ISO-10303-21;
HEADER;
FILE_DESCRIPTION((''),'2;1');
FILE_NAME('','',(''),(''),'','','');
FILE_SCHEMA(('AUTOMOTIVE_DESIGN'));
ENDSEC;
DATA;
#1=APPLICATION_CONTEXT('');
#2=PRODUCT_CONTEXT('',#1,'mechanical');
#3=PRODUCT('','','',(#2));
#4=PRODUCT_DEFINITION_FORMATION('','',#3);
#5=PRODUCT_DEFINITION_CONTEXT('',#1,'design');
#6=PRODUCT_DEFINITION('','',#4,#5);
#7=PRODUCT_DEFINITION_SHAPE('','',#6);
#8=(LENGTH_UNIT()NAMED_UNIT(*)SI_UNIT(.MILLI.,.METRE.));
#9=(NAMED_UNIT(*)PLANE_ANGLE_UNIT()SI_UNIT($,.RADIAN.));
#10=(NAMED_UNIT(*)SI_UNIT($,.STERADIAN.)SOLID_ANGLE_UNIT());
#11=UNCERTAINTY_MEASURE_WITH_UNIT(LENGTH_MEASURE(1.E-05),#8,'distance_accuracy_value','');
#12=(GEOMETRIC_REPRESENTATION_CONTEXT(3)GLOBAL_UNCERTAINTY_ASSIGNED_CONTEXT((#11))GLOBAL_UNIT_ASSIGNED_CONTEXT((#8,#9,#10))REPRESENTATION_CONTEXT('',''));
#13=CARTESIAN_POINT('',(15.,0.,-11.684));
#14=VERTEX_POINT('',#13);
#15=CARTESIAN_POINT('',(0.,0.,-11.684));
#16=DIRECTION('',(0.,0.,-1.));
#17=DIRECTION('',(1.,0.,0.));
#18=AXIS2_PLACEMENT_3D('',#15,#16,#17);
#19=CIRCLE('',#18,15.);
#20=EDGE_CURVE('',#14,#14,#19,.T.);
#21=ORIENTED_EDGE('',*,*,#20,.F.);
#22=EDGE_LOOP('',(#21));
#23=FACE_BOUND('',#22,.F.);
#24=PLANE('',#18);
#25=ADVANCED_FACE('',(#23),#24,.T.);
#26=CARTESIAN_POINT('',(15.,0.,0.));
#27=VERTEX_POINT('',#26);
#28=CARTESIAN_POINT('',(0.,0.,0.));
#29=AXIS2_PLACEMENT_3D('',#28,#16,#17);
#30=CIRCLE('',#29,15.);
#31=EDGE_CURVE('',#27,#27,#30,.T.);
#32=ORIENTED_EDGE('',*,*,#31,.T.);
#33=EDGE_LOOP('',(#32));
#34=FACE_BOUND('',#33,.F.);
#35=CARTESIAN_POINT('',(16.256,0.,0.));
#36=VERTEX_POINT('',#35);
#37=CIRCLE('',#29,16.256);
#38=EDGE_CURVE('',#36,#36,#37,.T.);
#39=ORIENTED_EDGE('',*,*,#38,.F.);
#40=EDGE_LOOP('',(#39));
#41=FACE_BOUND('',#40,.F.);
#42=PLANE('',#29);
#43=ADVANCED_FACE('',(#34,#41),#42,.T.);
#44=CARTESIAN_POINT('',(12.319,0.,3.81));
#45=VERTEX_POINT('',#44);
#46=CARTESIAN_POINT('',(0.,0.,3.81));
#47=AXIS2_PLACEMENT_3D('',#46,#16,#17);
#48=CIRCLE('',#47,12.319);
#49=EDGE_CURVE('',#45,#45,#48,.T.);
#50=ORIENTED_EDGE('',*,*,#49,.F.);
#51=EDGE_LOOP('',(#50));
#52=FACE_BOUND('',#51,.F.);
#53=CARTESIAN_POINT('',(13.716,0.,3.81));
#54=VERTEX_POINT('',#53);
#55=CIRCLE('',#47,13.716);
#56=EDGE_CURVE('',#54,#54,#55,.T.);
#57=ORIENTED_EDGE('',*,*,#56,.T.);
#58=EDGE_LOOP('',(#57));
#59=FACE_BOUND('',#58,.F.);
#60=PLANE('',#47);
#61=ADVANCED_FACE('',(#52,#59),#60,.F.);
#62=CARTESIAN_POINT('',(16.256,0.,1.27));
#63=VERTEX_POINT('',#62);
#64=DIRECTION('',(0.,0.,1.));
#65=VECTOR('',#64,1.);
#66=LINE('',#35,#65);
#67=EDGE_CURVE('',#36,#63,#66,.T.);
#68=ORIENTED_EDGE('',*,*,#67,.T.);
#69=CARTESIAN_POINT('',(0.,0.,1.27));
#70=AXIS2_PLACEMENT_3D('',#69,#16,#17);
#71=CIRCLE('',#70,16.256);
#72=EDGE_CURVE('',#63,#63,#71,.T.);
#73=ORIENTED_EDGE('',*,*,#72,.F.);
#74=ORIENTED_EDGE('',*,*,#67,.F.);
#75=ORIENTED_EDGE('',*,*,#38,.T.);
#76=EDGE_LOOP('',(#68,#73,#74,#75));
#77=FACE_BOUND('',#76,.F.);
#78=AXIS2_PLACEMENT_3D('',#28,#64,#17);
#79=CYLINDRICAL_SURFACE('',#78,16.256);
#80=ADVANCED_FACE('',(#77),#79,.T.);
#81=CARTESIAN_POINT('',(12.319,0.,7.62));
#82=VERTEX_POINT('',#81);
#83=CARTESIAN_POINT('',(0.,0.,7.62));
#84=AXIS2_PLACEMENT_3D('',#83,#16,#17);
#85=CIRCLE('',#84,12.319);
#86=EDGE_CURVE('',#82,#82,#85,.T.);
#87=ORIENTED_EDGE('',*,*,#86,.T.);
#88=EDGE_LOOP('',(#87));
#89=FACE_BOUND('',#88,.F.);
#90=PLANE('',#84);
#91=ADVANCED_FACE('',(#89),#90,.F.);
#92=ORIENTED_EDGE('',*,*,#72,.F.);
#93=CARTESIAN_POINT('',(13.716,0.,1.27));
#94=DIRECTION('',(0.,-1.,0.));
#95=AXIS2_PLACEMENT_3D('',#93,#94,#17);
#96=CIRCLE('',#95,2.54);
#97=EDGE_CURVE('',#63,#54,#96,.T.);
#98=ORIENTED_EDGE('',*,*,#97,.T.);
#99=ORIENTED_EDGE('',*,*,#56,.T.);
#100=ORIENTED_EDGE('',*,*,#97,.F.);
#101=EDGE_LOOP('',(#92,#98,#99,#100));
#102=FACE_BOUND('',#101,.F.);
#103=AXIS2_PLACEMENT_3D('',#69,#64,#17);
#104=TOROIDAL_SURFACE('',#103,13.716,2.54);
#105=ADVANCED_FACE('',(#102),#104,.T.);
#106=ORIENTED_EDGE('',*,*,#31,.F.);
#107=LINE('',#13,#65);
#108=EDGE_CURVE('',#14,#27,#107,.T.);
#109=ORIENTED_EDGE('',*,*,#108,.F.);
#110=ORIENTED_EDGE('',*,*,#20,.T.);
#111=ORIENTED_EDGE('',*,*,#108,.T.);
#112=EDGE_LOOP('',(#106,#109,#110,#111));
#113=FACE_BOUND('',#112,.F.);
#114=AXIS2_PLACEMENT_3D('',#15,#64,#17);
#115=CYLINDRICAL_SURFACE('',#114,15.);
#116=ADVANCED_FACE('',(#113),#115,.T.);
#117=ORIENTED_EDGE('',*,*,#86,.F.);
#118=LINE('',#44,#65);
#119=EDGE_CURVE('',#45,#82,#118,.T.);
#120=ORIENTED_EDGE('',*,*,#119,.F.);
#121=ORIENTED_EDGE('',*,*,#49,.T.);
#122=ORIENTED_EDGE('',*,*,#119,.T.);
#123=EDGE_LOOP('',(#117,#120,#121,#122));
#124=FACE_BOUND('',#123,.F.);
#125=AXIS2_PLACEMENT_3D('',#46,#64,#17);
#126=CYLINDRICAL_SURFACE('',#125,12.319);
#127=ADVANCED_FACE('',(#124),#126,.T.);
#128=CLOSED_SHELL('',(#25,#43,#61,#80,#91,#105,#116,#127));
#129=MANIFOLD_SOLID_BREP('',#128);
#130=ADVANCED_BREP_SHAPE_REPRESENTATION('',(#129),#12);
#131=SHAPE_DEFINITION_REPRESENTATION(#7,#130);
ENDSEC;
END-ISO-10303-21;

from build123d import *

# Parameters (mm, degrees)
F2_R = 2.54


with BuildPart() as f1:
    # F0 (on Front) → F1 (revolve)
    with BuildSketch(Plane.XZ):
        Polygon((12.319, 7.62), (0, 7.62), (0, -11.684), (15, -11.684), (15, 0), (16.256, 0), (16.256, 3.81), (12.319, 3.81), align=None)
    revolve(axis=Axis((0, 0, -2.032), (0, 0, -1)))

    # F2
    f2_edges = [f1.edges().sort_by_distance(p)[0] for p in [
        (-16.256, 0, 3.81),
    ]]
    fillet(f2_edges, radius=F2_R)


solid = f1.part
